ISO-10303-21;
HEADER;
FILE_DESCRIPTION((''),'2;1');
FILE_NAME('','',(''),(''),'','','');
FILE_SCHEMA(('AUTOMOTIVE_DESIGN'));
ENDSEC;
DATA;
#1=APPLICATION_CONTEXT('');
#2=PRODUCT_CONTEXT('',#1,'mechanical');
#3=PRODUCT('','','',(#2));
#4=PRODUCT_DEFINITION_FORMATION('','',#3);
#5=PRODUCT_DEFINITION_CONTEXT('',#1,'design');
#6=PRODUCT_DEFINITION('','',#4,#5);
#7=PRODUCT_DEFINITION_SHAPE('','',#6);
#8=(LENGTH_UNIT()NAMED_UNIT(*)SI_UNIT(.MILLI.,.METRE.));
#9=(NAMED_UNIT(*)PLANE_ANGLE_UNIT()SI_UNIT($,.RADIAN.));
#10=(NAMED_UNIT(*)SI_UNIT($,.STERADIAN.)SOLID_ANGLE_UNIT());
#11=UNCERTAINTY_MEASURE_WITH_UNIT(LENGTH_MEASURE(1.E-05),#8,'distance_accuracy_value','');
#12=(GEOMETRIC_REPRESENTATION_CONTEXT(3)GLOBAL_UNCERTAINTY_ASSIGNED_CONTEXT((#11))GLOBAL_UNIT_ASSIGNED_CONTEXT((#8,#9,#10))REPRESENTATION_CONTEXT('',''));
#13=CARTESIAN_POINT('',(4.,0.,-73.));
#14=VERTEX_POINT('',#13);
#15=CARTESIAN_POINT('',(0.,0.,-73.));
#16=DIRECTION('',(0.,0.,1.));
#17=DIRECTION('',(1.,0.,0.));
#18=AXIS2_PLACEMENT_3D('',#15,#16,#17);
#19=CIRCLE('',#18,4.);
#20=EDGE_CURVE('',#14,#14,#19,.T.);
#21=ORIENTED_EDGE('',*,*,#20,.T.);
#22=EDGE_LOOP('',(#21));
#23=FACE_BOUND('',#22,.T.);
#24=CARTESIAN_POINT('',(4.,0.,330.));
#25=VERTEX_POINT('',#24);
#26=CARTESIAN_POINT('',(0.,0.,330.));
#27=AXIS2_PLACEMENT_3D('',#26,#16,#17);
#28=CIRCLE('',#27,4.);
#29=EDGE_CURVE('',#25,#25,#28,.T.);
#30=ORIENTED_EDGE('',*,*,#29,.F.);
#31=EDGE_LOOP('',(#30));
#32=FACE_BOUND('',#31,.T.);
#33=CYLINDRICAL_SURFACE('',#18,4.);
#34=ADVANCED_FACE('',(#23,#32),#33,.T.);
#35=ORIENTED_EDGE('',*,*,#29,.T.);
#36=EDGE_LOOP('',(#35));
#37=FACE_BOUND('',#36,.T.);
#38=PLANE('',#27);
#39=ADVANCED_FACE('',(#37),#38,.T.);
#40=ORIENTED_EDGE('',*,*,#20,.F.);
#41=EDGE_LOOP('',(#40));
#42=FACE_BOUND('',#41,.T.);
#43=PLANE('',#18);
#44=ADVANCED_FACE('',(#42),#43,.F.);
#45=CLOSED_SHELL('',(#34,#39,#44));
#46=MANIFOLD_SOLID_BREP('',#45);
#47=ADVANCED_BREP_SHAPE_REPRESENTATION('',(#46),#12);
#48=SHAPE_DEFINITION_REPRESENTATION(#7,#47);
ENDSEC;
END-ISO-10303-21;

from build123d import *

# Parameters (mm, degrees)
SKETCH1_R                = 4
BOSS_EXTRUDE1_DEPTH      = 330
BOSS_EXTRUDE1_DEPTH_BACK = 73


with BuildPart() as part:
    # Sketch1 → Boss-Extrude1 (new body, two sides)
    with BuildSketch(Plane.XY) as boss_extrude1_sk:
        Circle(SKETCH1_R)
    extrude(amount=BOSS_EXTRUDE1_DEPTH)
    extrude(boss_extrude1_sk.sketch, amount=-BOSS_EXTRUDE1_DEPTH_BACK)


solid = part.part
